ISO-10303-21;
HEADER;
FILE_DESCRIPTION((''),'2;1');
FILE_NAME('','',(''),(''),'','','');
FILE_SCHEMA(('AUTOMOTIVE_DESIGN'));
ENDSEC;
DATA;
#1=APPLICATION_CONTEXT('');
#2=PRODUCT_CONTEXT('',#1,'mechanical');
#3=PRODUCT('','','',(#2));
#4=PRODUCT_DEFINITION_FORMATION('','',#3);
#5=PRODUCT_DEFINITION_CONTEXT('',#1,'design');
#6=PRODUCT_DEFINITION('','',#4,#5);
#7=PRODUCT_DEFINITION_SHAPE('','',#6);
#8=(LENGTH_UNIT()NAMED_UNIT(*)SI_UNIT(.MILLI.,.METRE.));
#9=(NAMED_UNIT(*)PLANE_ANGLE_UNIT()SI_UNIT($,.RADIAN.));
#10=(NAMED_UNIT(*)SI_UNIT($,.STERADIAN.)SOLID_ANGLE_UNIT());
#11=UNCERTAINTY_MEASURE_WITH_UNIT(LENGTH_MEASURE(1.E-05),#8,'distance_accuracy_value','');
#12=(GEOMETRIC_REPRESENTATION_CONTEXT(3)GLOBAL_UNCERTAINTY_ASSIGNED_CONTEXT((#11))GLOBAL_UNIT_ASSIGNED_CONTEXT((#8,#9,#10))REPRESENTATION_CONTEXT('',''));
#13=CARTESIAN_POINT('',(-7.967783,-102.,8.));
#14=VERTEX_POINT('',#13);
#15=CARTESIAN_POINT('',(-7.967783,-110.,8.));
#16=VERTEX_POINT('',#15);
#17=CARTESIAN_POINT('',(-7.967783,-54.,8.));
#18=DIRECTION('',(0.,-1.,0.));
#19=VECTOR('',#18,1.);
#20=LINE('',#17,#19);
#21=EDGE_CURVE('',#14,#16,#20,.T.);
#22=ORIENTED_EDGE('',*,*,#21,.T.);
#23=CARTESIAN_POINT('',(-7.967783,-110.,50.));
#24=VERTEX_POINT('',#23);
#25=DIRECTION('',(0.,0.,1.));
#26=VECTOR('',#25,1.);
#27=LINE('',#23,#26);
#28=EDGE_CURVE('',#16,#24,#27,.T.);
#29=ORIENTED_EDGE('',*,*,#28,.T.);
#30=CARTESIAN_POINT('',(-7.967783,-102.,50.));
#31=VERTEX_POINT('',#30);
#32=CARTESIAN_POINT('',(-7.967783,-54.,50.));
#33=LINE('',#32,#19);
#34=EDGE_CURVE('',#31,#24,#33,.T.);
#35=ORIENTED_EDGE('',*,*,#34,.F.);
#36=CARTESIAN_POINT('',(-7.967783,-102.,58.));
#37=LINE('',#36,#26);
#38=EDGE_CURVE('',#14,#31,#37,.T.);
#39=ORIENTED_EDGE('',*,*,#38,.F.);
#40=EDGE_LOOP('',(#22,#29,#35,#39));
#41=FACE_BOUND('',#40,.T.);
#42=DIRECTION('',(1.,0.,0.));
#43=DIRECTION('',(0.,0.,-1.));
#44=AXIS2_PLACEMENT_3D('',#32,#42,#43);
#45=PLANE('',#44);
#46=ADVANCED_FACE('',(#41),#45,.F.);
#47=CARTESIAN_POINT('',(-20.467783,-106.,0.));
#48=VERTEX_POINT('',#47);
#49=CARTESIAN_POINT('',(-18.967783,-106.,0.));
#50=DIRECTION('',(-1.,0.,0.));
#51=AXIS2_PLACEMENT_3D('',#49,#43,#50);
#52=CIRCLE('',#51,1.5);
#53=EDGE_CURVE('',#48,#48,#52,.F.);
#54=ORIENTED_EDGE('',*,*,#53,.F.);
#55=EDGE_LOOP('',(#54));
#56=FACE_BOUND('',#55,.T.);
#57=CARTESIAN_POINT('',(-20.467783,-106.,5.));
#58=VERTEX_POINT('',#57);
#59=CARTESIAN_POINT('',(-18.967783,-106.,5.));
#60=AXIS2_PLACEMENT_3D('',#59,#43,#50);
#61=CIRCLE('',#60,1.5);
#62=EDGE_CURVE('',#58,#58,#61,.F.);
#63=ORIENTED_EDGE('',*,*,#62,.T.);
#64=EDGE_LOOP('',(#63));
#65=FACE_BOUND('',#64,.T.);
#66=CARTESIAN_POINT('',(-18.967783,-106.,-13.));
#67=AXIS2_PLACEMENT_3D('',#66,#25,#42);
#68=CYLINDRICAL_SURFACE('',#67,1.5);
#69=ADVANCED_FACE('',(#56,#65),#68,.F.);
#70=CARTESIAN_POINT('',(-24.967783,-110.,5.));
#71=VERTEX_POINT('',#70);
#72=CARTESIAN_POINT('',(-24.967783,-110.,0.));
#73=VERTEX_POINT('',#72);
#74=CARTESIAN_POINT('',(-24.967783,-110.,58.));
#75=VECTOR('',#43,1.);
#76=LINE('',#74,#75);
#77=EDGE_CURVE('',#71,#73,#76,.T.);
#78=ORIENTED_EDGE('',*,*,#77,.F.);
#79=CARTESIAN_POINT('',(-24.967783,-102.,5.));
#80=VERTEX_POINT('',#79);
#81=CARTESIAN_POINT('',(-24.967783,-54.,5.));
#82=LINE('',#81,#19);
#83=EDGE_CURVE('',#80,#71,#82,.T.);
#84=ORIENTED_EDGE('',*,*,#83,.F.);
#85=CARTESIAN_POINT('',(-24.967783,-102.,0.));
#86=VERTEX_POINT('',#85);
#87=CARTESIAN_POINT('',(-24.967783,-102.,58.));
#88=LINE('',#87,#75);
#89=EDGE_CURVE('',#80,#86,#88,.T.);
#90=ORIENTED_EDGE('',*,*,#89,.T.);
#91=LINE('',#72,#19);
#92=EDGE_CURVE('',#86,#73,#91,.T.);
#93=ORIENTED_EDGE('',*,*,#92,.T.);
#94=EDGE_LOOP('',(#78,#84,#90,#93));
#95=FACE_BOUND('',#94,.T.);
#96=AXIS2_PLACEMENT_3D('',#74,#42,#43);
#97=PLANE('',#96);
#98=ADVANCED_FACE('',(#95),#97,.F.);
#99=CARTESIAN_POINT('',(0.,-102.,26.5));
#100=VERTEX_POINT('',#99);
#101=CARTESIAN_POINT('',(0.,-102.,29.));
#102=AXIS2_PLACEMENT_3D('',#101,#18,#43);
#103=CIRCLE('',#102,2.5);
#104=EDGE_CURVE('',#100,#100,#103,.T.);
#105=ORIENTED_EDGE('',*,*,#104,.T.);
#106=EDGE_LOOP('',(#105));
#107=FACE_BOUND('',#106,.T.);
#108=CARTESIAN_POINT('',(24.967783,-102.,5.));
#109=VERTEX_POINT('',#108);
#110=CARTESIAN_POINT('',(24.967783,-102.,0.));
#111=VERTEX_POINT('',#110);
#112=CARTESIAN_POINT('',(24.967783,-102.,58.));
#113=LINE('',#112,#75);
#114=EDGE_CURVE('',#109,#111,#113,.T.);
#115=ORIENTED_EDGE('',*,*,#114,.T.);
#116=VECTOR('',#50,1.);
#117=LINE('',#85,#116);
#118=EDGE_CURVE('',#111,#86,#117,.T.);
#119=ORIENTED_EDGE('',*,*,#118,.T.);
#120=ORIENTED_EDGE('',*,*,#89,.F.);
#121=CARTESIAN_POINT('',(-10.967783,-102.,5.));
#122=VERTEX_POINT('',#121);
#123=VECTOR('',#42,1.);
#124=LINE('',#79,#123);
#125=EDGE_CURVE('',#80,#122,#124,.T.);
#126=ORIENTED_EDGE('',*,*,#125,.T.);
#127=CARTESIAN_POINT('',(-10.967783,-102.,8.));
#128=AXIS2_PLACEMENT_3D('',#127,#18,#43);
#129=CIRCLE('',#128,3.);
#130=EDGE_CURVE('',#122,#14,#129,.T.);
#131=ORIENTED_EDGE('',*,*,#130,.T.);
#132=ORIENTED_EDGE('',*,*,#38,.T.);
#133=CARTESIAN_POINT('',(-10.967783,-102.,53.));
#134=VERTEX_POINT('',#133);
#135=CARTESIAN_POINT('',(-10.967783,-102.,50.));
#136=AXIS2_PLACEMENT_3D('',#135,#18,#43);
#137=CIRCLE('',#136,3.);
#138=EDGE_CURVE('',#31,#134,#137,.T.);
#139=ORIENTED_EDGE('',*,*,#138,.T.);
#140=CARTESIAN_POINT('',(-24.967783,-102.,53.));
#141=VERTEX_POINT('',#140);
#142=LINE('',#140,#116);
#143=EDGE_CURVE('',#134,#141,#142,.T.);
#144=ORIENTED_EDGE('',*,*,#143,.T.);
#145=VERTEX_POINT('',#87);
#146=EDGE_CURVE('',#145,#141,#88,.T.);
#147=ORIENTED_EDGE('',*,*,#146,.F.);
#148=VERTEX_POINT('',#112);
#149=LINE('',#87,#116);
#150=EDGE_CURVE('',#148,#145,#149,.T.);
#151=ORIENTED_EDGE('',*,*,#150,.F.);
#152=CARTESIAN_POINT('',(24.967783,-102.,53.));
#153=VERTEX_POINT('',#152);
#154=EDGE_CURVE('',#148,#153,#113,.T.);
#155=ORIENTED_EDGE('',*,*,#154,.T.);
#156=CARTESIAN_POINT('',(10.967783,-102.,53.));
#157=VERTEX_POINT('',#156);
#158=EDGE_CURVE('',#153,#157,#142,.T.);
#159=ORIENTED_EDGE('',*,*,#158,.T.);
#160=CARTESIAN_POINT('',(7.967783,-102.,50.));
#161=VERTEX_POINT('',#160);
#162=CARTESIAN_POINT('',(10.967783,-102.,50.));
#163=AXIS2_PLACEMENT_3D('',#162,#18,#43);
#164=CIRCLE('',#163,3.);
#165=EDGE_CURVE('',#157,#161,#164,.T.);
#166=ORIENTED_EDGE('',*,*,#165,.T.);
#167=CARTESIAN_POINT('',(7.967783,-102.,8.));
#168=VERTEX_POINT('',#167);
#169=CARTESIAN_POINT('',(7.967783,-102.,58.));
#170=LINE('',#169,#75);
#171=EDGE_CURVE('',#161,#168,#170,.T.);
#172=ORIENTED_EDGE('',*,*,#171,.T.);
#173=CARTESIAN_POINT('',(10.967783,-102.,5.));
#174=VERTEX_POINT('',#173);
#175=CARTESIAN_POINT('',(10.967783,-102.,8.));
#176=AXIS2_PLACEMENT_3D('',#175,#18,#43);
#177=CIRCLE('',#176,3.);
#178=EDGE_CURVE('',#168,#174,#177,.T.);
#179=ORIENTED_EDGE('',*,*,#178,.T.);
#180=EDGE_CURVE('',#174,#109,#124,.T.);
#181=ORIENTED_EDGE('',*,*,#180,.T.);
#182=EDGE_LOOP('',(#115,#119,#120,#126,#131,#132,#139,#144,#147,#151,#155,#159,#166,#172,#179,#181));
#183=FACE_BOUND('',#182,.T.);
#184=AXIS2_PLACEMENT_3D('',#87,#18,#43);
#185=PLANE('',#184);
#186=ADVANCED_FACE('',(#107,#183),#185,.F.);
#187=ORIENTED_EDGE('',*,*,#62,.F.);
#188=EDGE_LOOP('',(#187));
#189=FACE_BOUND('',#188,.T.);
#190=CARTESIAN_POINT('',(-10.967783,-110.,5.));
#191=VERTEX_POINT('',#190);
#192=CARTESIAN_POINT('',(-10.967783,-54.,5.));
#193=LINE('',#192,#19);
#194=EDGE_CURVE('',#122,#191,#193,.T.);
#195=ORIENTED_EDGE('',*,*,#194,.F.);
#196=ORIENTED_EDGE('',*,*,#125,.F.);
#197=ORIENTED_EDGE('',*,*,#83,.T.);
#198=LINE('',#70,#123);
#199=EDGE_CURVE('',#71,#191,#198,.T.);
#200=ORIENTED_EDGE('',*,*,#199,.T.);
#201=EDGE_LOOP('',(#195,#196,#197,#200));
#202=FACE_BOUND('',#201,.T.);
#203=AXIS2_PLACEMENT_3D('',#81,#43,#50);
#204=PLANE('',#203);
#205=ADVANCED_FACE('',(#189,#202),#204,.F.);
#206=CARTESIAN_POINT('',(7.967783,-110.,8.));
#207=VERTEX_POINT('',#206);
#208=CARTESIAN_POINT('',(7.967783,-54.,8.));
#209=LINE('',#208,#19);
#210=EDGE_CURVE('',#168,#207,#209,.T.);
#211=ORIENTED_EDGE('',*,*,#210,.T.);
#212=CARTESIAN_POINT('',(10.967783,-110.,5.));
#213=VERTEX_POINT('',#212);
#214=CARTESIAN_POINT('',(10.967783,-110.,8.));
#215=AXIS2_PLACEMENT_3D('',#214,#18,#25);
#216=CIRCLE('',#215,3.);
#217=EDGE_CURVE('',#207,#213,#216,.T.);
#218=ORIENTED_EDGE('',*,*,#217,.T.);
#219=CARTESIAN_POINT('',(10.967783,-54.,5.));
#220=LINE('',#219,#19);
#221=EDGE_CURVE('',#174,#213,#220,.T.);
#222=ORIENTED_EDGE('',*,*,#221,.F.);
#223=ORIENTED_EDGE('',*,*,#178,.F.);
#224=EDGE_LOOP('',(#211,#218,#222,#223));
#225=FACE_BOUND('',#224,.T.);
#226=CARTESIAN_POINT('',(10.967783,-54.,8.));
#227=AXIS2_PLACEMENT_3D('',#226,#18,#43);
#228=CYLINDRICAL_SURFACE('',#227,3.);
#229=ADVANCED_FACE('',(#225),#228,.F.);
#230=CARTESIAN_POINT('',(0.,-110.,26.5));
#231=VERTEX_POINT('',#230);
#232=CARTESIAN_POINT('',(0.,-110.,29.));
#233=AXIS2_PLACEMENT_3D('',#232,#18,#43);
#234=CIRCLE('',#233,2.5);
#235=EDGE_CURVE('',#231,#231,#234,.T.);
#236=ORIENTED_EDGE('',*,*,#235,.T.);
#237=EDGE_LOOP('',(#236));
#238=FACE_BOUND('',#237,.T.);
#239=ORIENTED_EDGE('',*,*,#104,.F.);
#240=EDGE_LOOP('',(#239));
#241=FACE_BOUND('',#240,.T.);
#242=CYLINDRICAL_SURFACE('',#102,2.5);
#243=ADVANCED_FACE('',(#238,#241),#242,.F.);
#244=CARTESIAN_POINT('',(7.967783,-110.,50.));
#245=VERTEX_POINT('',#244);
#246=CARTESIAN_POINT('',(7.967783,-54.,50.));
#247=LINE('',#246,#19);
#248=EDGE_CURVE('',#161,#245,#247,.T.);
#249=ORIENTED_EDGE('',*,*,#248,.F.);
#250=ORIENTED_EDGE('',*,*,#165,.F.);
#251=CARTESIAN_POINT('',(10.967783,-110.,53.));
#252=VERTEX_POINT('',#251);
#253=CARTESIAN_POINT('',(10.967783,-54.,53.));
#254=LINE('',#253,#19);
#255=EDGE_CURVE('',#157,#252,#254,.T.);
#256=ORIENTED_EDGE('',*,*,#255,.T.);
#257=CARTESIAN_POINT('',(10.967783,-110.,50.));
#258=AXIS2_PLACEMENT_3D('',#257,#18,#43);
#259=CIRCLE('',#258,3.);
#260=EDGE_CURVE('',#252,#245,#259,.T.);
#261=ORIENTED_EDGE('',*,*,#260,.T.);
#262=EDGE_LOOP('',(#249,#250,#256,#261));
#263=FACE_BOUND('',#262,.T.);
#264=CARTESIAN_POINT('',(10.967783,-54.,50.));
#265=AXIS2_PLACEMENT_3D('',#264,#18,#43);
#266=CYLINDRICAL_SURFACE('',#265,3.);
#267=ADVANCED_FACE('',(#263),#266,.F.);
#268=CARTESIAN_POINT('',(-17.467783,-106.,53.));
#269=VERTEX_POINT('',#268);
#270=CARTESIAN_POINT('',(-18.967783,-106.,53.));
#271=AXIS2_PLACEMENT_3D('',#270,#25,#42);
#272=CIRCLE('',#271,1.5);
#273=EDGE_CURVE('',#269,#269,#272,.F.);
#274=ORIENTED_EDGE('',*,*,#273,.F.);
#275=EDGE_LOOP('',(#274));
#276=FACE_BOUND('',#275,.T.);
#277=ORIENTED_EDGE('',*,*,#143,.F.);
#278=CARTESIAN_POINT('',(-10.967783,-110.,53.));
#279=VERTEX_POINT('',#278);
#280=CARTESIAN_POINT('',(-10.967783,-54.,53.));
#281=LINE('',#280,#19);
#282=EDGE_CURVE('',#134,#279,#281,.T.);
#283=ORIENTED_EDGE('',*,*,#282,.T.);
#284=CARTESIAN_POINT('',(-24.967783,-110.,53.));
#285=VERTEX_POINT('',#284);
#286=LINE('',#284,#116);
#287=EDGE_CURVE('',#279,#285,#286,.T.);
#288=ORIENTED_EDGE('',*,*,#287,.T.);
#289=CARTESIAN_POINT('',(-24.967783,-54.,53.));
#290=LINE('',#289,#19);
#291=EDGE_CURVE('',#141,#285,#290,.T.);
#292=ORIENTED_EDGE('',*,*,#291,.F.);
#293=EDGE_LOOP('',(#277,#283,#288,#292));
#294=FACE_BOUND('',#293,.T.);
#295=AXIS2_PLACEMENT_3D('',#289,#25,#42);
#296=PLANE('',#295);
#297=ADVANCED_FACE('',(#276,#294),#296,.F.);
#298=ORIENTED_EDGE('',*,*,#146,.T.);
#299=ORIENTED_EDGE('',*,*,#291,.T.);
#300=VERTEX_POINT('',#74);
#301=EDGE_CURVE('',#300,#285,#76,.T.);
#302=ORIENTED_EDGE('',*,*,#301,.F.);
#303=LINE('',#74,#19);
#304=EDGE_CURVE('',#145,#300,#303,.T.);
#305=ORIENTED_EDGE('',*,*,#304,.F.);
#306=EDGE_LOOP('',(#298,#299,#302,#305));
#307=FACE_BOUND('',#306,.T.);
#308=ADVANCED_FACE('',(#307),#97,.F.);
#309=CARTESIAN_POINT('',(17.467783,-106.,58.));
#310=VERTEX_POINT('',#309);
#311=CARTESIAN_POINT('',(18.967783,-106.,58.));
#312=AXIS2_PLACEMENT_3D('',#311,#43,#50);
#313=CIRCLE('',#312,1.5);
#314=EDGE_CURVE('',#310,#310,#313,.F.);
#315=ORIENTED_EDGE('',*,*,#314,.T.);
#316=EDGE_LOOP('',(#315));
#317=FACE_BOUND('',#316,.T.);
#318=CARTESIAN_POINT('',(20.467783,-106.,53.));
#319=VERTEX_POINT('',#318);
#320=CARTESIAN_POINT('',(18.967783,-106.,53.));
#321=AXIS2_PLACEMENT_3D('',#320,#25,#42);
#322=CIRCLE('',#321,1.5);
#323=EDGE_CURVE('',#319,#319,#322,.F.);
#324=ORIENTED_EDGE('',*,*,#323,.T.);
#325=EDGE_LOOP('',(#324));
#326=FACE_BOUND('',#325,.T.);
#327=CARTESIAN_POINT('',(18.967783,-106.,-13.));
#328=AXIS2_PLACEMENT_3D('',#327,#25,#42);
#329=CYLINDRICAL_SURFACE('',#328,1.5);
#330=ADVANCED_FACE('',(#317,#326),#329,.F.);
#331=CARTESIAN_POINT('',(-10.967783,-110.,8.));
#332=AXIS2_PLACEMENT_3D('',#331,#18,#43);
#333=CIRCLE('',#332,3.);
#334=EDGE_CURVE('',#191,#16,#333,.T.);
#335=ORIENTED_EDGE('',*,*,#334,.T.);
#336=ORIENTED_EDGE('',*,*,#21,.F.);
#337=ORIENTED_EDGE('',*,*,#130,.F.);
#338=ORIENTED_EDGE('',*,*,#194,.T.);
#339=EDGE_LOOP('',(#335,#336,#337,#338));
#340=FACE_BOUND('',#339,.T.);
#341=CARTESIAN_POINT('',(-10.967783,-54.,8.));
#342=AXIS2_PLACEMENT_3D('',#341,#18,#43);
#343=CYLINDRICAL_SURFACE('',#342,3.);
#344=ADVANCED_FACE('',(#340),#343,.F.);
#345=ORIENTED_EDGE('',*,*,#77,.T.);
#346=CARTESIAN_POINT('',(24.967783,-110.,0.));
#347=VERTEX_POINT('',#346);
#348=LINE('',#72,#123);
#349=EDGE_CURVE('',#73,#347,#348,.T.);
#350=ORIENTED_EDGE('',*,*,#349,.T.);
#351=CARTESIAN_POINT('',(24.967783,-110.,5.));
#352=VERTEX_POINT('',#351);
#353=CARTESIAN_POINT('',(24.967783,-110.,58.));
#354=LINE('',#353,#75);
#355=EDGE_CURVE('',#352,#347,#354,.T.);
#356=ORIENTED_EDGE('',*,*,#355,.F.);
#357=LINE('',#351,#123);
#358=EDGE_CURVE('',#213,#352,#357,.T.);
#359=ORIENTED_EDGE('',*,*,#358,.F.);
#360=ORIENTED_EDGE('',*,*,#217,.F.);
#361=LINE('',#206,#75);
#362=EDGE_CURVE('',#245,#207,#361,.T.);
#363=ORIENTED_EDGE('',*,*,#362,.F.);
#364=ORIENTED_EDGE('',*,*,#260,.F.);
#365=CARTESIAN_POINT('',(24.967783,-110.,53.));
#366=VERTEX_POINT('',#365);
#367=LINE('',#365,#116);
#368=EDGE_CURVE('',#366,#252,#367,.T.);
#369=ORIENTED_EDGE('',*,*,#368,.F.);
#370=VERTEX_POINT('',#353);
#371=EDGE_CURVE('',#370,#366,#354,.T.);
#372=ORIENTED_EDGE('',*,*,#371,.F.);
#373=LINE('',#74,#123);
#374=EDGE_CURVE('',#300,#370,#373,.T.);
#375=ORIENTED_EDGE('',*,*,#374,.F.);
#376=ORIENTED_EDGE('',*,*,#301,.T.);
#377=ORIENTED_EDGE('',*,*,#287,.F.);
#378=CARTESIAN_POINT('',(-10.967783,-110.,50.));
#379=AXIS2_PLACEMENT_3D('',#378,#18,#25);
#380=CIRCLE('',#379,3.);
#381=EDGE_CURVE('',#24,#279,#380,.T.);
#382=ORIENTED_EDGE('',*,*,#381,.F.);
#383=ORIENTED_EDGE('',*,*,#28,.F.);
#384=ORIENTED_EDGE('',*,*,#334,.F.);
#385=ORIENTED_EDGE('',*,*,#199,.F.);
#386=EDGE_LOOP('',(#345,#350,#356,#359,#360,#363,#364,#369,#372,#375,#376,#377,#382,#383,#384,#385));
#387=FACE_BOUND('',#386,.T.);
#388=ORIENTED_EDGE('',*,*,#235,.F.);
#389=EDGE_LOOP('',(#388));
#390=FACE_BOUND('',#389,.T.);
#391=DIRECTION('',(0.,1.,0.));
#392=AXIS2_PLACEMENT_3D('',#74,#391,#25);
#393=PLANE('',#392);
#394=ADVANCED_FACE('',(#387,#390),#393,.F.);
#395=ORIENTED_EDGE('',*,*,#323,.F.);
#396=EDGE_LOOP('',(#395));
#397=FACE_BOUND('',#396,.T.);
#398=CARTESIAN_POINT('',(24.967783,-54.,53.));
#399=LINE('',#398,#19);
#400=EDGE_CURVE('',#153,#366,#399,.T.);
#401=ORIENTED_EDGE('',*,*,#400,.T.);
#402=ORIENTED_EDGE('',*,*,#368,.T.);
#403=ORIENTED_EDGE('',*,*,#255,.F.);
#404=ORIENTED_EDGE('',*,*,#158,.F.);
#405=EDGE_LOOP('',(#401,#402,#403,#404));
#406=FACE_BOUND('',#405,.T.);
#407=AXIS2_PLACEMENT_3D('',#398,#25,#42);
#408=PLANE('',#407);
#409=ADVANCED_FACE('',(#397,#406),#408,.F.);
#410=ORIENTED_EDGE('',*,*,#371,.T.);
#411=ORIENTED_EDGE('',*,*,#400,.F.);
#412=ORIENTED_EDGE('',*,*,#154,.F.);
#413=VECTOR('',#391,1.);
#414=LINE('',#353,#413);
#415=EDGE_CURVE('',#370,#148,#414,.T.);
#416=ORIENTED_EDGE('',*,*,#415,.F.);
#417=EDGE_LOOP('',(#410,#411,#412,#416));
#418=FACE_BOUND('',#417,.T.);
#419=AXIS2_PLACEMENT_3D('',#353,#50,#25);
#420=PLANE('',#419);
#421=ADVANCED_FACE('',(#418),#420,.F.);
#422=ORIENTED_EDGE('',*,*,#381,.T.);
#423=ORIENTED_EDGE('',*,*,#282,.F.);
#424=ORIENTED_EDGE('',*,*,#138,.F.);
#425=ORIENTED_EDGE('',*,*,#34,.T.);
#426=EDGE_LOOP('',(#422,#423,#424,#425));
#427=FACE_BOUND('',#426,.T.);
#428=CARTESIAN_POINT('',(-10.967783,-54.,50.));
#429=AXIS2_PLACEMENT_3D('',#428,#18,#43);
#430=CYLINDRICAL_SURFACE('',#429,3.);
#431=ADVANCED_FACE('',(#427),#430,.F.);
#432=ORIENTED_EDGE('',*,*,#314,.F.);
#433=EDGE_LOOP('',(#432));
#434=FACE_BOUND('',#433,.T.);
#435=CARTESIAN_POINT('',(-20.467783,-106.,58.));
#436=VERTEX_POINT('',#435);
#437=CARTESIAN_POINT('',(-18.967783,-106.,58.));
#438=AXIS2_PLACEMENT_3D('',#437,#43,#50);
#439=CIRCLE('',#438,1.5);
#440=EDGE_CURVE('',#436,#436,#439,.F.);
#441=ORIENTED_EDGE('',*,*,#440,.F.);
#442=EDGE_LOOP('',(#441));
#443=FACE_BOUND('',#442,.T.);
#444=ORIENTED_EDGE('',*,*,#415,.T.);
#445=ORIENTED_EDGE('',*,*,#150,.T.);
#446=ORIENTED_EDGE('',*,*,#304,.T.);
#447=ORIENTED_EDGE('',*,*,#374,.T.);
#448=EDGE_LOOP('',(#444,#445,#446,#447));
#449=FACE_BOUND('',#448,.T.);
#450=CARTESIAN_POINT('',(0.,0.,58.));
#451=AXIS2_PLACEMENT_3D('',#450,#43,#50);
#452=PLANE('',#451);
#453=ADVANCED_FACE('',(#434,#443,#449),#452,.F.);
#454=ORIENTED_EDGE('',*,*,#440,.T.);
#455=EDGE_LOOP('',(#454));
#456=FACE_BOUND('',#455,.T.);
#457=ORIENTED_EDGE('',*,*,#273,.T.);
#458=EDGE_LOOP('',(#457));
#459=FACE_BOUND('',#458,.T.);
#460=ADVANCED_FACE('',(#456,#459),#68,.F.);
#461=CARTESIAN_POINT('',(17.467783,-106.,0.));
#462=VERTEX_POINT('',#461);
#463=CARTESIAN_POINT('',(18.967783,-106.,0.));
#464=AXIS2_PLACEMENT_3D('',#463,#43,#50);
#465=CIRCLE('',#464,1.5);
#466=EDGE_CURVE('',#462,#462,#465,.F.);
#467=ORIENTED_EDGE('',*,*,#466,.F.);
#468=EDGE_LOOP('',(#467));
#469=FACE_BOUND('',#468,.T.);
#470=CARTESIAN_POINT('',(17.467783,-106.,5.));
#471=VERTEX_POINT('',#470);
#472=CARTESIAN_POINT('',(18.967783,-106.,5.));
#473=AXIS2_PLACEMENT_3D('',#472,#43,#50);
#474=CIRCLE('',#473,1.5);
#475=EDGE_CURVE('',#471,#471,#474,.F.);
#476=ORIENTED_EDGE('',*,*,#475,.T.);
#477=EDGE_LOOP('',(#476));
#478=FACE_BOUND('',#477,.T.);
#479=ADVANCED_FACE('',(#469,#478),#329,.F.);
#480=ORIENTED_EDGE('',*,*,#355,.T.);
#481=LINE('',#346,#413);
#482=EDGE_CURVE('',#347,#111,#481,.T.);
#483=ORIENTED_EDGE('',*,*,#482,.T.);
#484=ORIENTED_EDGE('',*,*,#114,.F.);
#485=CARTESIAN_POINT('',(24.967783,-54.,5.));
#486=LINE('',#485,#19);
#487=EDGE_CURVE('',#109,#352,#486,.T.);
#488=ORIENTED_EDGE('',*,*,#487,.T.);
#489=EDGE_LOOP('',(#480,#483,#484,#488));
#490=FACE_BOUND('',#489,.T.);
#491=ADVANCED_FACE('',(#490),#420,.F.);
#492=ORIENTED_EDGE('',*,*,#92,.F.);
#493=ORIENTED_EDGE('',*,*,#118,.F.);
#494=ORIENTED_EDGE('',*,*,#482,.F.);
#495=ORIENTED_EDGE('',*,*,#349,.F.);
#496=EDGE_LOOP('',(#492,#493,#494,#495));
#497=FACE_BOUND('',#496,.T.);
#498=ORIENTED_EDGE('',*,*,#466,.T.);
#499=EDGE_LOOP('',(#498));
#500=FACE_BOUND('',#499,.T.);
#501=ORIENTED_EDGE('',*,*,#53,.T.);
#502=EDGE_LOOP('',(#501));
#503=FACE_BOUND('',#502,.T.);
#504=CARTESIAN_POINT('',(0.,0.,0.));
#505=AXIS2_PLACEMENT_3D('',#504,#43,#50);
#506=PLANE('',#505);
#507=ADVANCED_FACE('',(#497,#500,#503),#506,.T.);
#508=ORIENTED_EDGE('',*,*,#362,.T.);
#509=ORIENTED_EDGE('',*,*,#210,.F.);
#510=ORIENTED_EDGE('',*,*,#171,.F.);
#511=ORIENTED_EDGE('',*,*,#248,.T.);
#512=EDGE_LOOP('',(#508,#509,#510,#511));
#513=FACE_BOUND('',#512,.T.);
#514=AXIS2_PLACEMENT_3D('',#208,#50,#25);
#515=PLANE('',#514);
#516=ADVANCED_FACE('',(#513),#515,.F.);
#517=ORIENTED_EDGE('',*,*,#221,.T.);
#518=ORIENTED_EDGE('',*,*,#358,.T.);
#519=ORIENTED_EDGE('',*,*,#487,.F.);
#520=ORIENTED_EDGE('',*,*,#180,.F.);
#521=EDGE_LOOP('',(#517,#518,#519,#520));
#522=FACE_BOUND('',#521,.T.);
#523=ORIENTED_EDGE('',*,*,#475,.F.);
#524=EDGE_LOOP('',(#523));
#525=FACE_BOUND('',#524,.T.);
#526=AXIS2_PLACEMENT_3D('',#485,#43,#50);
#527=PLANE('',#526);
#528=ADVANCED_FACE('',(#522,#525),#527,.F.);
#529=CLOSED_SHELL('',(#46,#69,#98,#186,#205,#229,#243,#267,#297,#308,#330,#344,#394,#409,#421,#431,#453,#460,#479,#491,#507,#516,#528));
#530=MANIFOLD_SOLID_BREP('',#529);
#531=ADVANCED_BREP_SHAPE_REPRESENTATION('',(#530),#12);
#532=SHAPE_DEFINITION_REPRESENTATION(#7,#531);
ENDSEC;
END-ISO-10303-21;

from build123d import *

# Parameters (mm, degrees)
SKETCH_1_W               = 49.93556627
SKETCH_1_H               = 8
EXTRUDE_1_DEPTH          = 58
CUT_EXTRUDE_1_DEPTH      = 56
CUT_EXTRUDE_2_DEPTH      = 66
CUT_EXTRUDE_2_DEPTH_BACK = 10
SKETCH_4_R               = 1.5
SKETCH_3_R               = 2.5
CUT_EXTRUDE_3_DEPTH      = 8


with BuildPart() as part:
    # 草图1 → 凸台-拉伸1 (new body)
    with BuildSketch(Plane.XY):
        with Locations((0, -106)):
            Rectangle(SKETCH_1_W, SKETCH_1_H)
    extrude(amount=EXTRUDE_1_DEPTH)

    # 草图2 → 切除-拉伸1 (cut)
    with BuildSketch(Plane.XZ.offset(110)):
        with BuildLine():
            Line((-24.967783135, 53), (-10.967783135, 53))
            ThreePointArc((-10.967783135, 53), (-8.846462792, 52.121320344), (-7.967783135, 50))
            Line((-7.967783135, 50), (-7.967783135, 8))
            ThreePointArc((-7.967783135, 8), (-8.846462792, 5.878679656), (-10.967783135, 5))
            Line((-10.967783135, 5), (-24.967783135, 5))
            Line((-24.967783135, 5), (-24.967783135, 53))
        make_face()
        with BuildLine():
            Line((24.967783135, 5), (10.967783135, 5))
            ThreePointArc((10.967783135, 5), (8.846462792, 5.878679656), (7.967783135, 8))
            Line((7.967783135, 8), (7.967783135, 50))
            ThreePointArc((7.967783135, 50), (8.846462792, 52.121320344), (10.967783135, 53))
            Line((10.967783135, 53), (24.967783135, 53))
            Line((24.967783135, 53), (24.967783135, 5))
        make_face()
    extrude(amount=-CUT_EXTRUDE_1_DEPTH, mode=Mode.SUBTRACT)

    # 草图4 → 切除-拉伸2 (cut, two sides: drawn at the far end of the back side and taken through both)
    with BuildSketch(Plane(origin=(0, 0, 53), x_dir=(-1, 0, 0), z_dir=(0, 0, -1)).offset(-CUT_EXTRUDE_2_DEPTH_BACK)):
        with Locations((18.967783135, -106)):
            Circle(SKETCH_4_R)
        with Locations(Location((-18.967783135, -106, 0), (0, 0, 180))):
            Circle(SKETCH_4_R)
    extrude(amount=CUT_EXTRUDE_2_DEPTH + CUT_EXTRUDE_2_DEPTH_BACK, mode=Mode.SUBTRACT)

    # 草图3 → 切除-拉伸3 (cut)
    with BuildSketch(Plane.XZ.offset(110)):
        with Locations(Location((0, 29, 0), (0, 0, 270))):
            Circle(SKETCH_3_R)
    extrude(amount=-CUT_EXTRUDE_3_DEPTH, mode=Mode.SUBTRACT)


solid = part.part
